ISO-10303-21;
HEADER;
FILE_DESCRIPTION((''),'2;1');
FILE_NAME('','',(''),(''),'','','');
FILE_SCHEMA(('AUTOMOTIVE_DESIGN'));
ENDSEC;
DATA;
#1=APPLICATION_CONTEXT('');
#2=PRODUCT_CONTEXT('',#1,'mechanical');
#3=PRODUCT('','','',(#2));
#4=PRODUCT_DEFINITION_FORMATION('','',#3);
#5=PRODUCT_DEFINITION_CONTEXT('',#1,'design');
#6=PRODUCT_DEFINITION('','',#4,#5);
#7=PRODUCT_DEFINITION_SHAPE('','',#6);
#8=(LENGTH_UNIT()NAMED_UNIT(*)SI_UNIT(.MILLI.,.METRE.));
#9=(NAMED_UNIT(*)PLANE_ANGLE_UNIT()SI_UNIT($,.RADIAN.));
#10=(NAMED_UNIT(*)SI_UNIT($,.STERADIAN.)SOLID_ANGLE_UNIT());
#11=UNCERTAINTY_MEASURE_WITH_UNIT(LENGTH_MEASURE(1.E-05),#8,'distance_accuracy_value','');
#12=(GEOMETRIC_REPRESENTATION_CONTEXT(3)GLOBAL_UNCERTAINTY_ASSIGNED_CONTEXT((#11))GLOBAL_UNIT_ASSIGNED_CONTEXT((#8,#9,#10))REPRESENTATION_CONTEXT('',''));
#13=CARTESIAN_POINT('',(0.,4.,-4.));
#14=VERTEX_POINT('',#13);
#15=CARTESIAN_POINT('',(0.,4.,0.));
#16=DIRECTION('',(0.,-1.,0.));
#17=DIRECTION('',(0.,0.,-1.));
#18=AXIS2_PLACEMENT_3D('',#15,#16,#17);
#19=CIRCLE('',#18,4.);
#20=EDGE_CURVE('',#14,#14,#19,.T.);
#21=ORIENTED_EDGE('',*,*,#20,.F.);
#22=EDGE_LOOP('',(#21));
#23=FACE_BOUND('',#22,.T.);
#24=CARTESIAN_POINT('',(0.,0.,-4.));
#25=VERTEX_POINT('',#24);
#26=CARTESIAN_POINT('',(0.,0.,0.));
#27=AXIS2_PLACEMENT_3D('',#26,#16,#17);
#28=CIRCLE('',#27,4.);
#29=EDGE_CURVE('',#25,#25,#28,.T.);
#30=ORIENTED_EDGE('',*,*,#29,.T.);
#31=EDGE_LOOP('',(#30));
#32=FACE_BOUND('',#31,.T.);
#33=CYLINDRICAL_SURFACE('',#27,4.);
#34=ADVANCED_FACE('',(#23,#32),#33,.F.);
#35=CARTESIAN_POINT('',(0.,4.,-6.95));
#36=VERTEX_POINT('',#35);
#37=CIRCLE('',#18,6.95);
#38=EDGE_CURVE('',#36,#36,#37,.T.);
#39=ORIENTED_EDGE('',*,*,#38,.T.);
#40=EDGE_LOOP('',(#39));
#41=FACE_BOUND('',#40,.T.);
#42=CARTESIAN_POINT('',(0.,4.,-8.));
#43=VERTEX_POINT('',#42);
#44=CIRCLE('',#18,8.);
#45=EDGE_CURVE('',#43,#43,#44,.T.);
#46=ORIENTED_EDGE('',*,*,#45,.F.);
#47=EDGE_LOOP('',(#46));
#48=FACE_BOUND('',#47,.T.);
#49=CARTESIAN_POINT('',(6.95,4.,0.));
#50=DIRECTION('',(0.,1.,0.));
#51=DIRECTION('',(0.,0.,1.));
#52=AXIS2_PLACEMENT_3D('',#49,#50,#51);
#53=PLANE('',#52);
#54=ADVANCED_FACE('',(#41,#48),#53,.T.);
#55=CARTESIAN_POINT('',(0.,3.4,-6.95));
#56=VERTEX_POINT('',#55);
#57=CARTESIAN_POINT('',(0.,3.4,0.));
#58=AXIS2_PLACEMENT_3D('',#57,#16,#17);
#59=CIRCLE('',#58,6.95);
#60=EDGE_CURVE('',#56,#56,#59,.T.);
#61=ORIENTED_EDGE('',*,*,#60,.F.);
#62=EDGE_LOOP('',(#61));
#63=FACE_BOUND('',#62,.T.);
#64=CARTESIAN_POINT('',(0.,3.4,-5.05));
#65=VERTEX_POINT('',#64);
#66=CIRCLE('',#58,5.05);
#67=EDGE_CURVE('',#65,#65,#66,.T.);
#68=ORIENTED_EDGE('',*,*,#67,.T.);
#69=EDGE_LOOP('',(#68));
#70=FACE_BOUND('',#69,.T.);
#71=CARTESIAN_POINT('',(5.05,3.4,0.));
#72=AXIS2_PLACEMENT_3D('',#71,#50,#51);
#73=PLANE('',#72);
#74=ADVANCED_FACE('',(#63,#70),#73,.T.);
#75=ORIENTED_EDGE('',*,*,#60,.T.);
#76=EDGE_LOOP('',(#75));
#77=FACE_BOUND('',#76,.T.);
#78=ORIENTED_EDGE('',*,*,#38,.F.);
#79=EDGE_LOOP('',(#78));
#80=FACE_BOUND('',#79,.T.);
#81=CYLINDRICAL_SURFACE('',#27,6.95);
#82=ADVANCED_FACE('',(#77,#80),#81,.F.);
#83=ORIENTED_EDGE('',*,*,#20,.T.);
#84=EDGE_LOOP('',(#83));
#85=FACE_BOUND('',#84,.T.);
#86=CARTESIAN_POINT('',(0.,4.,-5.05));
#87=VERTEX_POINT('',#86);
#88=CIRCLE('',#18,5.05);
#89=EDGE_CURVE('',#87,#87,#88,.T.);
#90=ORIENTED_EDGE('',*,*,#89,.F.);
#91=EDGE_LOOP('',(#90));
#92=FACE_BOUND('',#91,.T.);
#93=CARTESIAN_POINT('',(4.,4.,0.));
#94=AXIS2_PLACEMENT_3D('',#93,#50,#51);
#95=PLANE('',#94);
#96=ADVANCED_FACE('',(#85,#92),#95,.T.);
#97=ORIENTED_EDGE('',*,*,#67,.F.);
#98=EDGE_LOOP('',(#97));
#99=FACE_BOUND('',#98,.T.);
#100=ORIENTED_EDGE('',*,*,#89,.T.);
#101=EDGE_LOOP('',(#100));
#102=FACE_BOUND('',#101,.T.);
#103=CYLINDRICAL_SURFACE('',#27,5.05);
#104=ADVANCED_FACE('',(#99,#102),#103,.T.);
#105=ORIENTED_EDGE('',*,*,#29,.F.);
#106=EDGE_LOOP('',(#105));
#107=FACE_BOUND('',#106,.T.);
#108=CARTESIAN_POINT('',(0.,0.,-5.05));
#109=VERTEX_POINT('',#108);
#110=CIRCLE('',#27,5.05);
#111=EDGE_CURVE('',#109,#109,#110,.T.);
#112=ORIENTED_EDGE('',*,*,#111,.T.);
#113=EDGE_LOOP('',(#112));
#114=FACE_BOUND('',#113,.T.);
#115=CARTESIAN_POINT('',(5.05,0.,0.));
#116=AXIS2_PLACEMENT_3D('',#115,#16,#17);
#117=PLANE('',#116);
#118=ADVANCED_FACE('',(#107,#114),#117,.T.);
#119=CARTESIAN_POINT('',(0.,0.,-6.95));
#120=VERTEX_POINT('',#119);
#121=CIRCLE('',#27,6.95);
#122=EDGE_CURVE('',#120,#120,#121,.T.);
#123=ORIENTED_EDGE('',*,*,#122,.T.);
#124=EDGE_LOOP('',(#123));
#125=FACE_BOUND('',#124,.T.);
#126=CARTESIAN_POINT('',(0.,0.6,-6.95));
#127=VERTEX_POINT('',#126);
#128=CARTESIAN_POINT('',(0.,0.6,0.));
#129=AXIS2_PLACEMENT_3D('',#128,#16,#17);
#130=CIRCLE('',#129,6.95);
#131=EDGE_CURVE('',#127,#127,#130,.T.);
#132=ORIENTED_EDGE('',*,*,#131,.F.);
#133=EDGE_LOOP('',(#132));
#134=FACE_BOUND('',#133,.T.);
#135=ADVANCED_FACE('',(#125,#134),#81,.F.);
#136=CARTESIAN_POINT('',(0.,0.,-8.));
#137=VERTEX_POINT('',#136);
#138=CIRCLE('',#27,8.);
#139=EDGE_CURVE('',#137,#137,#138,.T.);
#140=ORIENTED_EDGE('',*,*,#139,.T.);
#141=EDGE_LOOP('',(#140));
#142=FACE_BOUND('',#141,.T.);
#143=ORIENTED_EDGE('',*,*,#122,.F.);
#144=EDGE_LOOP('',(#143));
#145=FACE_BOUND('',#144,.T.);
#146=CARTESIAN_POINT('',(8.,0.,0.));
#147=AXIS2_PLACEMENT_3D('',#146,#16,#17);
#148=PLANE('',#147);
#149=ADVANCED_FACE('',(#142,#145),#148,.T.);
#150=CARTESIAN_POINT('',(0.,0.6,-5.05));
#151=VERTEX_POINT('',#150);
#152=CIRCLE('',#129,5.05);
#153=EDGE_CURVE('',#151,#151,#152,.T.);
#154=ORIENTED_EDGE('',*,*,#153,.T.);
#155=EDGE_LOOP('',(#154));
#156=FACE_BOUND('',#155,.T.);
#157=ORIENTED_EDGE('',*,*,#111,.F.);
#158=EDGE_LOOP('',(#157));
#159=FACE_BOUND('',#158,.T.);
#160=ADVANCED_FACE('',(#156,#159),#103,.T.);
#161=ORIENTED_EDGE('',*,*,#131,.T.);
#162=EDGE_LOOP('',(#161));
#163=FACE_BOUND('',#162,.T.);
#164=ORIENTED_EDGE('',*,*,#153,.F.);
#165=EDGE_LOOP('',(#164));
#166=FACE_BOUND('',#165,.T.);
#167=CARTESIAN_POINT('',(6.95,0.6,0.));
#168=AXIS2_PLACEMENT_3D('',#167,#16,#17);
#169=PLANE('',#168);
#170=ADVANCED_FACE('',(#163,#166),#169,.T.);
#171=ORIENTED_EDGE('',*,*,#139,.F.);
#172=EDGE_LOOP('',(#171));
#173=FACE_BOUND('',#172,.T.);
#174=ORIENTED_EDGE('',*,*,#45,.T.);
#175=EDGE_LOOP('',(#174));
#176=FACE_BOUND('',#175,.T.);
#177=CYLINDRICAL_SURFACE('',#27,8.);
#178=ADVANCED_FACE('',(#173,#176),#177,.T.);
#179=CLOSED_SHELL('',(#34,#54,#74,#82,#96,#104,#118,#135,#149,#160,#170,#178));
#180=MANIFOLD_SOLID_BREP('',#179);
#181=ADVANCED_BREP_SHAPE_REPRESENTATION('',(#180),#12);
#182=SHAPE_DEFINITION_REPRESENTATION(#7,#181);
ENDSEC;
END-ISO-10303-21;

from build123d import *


with BuildPart() as part:
    # Sketch1 → Revolve1 (revolve)
    with BuildSketch(Plane.XY, mode=Mode.PRIVATE) as revolve1_sk:
        Polygon((4, 0), (4, 4), (5.05, 4), (5.05, 3.4), (6.95, 3.4), (6.95, 4), (8, 4), (8, 0), (6.95, 0), (6.95, 0.6), (5.05, 0.6), (5.05, 0), align=None)
    revolve(revolve1_sk.sketch.rotate(Axis((0, 0, 0), (0, 1, 0)), 90), axis=Axis((0, 0, 0), (0, 1, 0)))


solid = part.part
